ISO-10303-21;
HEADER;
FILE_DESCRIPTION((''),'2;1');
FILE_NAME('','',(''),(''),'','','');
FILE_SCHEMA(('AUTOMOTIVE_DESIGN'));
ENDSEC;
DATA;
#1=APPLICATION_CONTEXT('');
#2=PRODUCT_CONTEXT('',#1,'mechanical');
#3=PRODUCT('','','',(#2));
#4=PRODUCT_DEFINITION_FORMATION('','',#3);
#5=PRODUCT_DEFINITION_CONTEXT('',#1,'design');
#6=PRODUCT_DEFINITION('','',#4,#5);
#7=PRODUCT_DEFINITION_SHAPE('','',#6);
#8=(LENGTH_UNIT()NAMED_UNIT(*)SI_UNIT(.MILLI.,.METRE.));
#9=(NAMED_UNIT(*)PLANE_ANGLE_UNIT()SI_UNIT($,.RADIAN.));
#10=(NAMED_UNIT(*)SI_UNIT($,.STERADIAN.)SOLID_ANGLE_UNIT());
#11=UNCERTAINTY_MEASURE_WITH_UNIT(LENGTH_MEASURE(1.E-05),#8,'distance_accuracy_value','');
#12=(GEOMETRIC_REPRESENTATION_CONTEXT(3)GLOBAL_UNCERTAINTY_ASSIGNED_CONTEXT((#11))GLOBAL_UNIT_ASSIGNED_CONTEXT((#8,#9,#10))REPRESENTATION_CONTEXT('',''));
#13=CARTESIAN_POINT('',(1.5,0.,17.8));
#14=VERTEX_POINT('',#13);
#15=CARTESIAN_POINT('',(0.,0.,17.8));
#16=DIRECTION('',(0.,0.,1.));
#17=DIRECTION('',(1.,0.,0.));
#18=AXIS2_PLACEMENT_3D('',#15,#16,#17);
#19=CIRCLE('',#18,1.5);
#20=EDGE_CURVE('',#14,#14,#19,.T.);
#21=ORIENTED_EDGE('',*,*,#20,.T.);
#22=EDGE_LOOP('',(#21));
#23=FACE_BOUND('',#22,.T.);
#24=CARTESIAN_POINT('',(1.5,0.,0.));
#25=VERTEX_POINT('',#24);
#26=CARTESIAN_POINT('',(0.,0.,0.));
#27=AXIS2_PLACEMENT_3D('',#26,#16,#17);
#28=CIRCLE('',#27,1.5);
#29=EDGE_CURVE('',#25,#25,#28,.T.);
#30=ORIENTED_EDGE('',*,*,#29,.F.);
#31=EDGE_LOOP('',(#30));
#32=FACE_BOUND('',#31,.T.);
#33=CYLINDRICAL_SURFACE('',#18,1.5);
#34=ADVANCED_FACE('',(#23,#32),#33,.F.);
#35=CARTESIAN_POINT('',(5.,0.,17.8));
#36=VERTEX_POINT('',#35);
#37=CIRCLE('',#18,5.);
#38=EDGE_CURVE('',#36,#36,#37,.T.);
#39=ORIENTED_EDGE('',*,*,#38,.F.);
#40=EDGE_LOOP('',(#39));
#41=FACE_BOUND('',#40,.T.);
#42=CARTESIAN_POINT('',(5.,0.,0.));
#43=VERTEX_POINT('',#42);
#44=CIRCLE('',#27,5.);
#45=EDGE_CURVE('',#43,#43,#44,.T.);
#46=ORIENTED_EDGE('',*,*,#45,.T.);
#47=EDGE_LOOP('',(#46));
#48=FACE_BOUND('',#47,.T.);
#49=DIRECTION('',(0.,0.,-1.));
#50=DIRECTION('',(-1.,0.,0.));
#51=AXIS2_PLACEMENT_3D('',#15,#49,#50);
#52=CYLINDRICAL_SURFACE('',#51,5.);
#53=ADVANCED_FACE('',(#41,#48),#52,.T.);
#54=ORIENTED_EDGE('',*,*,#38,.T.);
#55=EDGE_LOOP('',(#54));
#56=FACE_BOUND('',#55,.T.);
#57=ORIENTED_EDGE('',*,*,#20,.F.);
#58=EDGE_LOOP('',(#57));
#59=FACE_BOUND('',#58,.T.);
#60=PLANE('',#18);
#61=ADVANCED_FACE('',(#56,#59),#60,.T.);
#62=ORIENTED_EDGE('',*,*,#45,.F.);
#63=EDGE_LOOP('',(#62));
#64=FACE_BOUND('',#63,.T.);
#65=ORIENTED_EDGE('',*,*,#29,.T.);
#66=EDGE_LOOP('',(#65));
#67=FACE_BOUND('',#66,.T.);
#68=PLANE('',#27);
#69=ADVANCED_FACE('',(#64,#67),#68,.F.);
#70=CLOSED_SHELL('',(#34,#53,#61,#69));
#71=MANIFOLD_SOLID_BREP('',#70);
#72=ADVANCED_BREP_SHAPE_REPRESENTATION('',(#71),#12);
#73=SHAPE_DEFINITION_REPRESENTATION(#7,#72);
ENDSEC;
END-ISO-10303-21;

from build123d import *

# Parameters (mm, degrees)
SKETCH1_R                 = 5
BOSS_EXTRUDE1_DEPTH       = 17.8
F_3_0MM_DOWEL_HOLE1_D     = 3
F_3_0MM_DOWEL_HOLE1_DEPTH = 17.8


with BuildPart() as part:
    # Sketch1 → Boss-Extrude1 (new body)
    with BuildSketch(Plane.XY):
        Circle(SKETCH1_R)
    extrude(amount=BOSS_EXTRUDE1_DEPTH)

    # Ø3.0mm Dowel Hole1
    with Locations(Plane.XY.offset(17.8)):
        with Locations((0, 0)):
            Hole(F_3_0MM_DOWEL_HOLE1_D / 2, depth=F_3_0MM_DOWEL_HOLE1_DEPTH)


solid = part.part
